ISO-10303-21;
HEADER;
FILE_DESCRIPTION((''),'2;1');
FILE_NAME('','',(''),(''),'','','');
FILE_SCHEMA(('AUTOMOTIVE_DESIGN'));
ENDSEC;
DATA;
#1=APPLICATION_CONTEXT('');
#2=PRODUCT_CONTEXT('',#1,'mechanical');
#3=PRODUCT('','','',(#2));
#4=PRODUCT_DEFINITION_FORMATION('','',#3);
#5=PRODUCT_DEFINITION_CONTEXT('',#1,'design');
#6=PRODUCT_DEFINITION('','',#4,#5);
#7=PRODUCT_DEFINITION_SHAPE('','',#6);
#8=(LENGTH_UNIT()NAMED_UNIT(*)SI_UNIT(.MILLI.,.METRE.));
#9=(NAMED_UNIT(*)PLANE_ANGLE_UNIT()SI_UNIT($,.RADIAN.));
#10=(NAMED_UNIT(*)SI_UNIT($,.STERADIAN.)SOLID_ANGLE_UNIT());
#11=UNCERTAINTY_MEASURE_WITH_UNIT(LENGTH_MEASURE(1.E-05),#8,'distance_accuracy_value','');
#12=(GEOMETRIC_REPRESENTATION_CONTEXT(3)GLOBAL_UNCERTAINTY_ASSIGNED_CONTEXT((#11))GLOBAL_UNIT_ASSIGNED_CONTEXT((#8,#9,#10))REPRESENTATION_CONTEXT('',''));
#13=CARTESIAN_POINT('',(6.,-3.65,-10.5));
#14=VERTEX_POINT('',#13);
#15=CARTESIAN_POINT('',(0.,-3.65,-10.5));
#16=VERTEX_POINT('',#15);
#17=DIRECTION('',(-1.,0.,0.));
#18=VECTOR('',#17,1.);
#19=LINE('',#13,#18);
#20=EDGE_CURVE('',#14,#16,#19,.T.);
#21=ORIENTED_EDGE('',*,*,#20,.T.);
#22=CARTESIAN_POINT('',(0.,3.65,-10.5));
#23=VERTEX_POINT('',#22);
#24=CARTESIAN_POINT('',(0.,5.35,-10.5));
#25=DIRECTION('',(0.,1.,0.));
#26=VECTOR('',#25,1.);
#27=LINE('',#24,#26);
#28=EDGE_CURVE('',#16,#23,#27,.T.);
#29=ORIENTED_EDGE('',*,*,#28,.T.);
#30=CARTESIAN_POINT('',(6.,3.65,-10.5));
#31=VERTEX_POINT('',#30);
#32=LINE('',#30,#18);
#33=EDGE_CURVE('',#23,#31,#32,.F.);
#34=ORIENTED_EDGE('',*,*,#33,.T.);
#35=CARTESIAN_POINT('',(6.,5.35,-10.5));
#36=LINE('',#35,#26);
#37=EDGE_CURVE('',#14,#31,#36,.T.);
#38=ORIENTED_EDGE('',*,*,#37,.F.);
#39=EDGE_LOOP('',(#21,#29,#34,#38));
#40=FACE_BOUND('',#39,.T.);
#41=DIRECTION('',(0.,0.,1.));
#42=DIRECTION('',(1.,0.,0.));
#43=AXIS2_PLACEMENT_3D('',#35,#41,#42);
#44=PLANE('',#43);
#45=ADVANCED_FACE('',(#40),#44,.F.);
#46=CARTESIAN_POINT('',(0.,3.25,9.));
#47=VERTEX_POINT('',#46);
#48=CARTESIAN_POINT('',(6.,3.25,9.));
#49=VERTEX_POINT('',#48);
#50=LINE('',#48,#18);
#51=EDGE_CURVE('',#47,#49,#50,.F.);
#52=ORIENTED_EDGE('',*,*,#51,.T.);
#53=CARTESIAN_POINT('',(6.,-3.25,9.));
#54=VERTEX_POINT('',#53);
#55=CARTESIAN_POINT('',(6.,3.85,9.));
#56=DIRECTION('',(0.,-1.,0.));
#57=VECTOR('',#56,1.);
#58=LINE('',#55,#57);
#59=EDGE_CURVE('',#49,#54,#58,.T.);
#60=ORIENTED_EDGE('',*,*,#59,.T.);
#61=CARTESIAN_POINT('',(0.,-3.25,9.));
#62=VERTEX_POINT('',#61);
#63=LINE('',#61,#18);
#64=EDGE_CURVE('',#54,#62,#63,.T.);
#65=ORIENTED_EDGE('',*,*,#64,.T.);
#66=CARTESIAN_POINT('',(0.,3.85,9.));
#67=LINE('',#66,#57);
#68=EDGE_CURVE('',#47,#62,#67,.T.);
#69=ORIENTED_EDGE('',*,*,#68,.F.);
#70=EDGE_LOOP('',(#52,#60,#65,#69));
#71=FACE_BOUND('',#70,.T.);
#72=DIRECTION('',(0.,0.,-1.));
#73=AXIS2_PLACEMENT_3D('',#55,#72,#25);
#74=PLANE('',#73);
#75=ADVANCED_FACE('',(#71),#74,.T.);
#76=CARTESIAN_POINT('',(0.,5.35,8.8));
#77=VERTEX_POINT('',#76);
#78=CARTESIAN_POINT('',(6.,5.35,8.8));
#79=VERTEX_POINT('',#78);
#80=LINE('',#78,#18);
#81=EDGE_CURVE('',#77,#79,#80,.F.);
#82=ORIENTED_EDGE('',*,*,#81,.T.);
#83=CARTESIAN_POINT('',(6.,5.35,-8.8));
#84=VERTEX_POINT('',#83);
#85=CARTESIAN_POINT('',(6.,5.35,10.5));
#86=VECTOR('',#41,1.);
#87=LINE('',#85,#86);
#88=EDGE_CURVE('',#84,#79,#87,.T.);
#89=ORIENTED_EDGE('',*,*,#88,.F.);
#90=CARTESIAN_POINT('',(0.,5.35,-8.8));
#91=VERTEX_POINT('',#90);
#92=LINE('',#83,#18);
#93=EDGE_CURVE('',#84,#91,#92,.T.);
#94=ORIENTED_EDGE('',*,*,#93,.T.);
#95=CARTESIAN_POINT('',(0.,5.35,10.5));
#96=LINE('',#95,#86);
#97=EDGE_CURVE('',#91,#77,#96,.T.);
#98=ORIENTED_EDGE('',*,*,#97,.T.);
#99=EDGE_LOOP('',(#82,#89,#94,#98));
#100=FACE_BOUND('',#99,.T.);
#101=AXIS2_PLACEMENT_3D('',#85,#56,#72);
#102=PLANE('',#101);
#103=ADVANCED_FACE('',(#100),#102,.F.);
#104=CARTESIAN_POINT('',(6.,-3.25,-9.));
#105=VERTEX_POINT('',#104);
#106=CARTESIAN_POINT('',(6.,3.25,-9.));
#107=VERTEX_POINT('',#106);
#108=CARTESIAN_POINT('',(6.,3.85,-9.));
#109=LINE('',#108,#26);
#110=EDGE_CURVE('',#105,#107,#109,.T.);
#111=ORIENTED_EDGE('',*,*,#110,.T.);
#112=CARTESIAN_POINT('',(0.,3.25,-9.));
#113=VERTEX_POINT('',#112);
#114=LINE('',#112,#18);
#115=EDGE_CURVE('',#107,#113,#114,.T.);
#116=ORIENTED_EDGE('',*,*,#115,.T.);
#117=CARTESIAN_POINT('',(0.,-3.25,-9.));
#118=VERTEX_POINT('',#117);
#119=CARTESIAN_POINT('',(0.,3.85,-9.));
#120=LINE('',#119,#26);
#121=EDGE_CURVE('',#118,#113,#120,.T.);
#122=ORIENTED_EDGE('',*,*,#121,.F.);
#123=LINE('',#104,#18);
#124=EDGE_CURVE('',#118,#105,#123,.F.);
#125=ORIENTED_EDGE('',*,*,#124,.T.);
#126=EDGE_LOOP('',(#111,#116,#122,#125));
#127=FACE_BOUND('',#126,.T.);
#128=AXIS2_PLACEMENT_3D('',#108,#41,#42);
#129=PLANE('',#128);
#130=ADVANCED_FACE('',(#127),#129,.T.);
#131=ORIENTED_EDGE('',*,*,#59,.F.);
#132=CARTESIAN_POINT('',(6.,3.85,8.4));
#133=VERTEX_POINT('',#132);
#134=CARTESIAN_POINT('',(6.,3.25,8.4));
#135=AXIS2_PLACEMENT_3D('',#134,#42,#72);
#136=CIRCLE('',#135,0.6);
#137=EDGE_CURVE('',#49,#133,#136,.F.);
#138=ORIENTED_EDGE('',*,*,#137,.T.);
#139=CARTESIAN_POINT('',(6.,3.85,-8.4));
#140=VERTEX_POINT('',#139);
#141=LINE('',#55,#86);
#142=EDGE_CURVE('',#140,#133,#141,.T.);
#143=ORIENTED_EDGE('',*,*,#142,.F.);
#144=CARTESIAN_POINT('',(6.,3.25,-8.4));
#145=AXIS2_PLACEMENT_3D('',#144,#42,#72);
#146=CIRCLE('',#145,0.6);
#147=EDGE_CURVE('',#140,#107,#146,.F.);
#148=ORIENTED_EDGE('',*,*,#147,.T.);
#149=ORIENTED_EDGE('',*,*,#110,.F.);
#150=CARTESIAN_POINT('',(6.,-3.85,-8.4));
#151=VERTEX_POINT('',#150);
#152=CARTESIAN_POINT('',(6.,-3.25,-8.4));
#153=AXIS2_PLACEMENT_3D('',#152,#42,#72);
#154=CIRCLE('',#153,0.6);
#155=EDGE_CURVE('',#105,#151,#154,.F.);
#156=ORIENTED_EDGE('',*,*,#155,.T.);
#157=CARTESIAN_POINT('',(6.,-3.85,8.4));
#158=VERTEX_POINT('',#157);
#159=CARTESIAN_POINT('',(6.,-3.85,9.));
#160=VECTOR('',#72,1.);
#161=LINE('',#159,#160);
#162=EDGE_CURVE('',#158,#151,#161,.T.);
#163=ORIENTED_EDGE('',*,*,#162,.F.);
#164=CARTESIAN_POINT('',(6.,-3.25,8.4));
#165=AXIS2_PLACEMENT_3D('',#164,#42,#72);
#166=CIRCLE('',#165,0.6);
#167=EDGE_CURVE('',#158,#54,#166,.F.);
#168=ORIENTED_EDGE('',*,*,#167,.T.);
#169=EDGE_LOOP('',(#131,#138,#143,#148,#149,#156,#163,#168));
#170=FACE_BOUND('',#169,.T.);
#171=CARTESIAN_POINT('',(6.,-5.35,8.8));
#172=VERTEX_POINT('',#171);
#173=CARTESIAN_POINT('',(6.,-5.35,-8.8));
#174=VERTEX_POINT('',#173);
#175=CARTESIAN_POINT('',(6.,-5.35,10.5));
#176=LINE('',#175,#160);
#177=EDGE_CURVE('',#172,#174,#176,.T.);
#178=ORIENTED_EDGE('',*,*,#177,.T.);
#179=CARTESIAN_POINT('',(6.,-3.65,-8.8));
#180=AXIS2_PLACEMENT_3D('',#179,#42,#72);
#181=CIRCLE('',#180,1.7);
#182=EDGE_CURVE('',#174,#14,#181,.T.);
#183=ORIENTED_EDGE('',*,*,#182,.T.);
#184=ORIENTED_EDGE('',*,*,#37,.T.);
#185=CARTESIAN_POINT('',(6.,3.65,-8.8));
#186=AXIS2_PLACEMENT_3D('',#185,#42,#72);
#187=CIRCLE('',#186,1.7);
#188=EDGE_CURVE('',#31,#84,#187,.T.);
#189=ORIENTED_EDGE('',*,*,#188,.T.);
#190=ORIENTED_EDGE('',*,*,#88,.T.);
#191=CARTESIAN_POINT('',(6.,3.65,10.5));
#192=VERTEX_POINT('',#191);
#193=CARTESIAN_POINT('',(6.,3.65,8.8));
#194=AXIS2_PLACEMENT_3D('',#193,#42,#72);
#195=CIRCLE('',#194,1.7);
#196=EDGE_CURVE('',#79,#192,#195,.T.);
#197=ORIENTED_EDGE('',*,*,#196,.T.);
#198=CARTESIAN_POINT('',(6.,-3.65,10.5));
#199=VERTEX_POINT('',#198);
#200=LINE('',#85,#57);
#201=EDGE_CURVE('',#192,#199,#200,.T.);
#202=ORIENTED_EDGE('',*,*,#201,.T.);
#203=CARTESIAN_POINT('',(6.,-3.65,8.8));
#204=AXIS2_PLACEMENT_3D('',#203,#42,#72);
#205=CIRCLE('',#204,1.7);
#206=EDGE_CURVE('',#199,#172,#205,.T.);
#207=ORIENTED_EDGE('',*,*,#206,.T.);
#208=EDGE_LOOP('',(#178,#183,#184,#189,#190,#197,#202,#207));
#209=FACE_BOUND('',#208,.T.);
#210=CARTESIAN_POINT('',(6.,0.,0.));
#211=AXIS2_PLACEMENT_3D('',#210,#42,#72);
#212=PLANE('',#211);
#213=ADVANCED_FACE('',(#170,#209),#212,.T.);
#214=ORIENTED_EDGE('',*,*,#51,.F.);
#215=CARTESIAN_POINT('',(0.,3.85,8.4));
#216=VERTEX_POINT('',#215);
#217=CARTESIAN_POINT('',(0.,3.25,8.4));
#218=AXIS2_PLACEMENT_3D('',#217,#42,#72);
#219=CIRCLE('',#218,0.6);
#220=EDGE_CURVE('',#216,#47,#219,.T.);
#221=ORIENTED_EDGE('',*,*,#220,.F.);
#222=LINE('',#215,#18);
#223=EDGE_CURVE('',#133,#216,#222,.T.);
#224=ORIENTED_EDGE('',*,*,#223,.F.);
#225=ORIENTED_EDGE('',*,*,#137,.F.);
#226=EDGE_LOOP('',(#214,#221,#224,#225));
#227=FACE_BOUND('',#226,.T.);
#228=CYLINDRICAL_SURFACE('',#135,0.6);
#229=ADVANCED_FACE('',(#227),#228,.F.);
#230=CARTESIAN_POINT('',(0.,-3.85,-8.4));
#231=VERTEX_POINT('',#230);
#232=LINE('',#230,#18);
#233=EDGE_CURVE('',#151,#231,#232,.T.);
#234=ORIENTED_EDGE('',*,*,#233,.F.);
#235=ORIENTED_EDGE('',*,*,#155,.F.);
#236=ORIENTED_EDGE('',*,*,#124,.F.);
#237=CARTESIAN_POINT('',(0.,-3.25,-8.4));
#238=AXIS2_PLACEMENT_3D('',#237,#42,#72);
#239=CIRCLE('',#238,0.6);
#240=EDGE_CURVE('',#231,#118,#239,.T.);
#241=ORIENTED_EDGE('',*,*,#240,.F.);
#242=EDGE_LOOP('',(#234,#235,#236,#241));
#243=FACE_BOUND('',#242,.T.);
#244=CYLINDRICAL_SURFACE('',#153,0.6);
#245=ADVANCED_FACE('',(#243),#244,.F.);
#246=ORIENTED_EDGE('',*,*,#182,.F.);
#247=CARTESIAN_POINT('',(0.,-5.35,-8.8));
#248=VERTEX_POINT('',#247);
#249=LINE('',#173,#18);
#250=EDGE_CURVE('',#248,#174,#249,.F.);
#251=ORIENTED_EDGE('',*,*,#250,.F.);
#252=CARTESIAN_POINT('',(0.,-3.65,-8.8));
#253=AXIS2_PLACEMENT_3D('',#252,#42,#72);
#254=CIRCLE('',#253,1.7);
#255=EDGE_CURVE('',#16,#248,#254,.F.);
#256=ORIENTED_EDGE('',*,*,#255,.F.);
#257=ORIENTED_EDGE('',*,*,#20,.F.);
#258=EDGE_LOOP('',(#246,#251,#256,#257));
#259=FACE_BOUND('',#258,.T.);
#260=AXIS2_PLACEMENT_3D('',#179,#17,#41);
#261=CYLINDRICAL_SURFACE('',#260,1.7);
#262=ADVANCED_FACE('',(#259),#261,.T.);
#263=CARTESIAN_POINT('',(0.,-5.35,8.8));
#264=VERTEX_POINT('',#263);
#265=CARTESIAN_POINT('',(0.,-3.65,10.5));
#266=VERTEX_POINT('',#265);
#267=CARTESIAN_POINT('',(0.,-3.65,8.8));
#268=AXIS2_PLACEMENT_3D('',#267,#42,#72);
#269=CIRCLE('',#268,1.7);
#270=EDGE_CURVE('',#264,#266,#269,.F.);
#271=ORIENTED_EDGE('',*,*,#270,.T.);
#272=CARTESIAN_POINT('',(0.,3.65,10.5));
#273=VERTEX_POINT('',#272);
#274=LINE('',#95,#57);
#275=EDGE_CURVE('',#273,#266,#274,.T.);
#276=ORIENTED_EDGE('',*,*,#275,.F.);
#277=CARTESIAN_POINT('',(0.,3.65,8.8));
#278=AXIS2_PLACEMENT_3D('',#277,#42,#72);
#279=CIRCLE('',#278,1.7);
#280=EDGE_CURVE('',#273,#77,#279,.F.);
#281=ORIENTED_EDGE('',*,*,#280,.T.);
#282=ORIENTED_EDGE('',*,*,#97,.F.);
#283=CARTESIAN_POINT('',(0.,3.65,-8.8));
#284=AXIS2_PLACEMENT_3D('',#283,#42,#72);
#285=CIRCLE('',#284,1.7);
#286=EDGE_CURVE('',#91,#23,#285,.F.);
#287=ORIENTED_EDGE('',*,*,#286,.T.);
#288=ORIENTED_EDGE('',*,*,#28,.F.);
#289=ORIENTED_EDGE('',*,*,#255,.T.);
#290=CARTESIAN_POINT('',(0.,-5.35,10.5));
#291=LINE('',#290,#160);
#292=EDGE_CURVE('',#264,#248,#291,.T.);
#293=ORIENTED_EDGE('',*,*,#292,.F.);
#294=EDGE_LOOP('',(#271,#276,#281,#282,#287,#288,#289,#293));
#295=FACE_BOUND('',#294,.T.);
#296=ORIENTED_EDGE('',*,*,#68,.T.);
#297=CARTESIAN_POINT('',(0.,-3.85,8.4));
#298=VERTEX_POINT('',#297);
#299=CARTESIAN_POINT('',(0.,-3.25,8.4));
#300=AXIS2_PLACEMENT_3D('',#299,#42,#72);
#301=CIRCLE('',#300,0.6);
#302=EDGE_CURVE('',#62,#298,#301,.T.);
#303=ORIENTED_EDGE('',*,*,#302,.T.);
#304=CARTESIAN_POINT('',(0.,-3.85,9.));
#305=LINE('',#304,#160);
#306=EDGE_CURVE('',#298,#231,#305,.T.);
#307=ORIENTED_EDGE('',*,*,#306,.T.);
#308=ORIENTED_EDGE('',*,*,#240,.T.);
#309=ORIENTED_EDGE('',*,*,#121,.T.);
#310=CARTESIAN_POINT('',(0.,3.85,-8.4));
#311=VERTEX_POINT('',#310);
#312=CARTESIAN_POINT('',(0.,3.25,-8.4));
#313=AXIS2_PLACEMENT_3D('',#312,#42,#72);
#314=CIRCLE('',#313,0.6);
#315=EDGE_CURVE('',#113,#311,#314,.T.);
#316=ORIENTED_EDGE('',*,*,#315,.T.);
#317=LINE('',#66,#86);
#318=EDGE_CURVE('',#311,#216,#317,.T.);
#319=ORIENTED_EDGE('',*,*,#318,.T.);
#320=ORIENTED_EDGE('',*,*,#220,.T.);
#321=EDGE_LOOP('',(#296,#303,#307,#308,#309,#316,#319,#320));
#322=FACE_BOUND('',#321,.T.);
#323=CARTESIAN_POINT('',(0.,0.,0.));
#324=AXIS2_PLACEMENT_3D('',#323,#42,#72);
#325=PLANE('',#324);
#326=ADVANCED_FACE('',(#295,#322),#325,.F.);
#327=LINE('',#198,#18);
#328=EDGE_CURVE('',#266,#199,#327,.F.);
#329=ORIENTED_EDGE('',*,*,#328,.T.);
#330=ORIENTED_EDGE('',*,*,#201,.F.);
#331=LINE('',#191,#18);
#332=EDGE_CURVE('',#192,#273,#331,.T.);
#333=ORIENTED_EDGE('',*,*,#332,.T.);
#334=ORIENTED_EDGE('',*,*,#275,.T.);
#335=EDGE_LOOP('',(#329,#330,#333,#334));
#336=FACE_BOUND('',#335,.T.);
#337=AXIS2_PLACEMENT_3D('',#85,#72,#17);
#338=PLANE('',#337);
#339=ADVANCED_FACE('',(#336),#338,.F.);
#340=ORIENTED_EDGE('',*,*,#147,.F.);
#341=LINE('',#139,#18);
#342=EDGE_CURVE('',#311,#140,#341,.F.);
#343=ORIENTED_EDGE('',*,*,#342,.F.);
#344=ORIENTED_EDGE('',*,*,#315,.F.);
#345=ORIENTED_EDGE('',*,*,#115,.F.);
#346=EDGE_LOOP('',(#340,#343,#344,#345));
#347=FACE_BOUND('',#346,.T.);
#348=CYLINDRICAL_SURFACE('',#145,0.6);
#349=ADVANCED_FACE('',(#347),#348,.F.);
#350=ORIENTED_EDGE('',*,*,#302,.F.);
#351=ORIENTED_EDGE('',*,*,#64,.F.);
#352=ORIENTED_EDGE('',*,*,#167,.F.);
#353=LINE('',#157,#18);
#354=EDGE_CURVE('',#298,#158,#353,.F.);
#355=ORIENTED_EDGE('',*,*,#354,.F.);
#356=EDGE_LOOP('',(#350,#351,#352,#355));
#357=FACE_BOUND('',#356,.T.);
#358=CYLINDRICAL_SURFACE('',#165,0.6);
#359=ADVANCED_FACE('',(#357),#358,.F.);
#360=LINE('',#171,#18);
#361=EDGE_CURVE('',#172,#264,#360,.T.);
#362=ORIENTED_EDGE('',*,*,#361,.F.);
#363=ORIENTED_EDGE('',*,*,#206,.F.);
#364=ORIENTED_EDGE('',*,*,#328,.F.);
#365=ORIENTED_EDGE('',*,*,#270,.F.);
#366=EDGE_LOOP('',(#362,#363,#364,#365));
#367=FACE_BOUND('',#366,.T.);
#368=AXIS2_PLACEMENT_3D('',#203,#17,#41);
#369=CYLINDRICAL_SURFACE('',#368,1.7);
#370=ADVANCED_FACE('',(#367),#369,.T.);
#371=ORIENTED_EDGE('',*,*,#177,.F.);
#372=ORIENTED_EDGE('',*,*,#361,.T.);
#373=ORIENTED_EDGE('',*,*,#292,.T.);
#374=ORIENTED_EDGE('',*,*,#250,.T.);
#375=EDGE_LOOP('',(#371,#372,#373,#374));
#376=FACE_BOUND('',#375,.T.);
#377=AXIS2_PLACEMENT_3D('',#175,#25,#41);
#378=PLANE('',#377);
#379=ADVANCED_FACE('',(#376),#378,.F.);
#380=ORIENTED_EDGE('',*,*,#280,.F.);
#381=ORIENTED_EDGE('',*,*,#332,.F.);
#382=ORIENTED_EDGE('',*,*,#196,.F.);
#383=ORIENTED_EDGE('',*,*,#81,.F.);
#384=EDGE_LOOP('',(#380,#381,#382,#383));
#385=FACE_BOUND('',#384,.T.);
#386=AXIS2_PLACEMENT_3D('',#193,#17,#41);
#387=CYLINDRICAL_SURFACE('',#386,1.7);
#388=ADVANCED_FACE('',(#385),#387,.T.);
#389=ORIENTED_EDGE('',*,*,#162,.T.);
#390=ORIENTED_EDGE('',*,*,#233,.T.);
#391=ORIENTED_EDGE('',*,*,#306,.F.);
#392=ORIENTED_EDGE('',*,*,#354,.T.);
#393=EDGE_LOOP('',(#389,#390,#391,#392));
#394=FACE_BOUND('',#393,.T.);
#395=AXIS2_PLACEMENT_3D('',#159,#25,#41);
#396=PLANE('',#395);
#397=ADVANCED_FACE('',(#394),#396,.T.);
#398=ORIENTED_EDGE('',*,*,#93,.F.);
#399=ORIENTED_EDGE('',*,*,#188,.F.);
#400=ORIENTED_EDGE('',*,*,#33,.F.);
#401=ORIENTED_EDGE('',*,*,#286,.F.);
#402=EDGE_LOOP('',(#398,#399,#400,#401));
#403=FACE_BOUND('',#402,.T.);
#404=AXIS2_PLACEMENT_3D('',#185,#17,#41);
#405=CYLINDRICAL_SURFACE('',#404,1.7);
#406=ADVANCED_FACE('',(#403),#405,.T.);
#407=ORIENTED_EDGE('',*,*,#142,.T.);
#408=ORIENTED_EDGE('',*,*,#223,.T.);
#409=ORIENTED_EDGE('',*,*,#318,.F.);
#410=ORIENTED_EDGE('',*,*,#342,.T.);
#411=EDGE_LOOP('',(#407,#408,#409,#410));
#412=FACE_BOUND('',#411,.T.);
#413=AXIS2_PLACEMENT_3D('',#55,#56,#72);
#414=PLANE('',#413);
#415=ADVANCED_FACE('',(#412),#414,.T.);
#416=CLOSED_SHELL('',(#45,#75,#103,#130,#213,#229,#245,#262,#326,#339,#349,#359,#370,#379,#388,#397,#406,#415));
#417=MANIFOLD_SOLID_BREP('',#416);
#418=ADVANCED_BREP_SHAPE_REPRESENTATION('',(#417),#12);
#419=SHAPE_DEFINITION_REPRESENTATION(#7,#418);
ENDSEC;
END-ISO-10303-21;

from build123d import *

# Parameters (mm, degrees)
SKETCH1_W           = 21
SKETCH1_H           = 10.7
SKETCH1_W_2         = 18
SKETCH1_H_2         = 7.7
BOSS_EXTRUDE1_DEPTH = 6
FILLET1_R           = 0.6
FILLET2_R           = 1.7


with BuildPart() as part:
    # Sketch1 → Boss-Extrude1 (new body)
    with BuildSketch(Plane(origin=(0, 0, 0), x_dir=(0, 0, -1), z_dir=(1, 0, 0))):
        Rectangle(SKETCH1_W, SKETCH1_H)
        Rectangle(SKETCH1_W_2, SKETCH1_H_2, mode=Mode.SUBTRACT)
    extrude(amount=BOSS_EXTRUDE1_DEPTH)

    # Fillet1
    fillet1_edges = [part.edges().sort_by_distance(p)[0] for p in [
        (3, -3.85, -9),
        (3, 3.85, -9),
        (3, 3.85, 9),
        (3, -3.85, 9),
    ]]
    fillet(fillet1_edges, radius=FILLET1_R)

    # Fillet2
    fillet2_edges = [part.edges().sort_by_distance(p)[0] for p in [
        (3, -5.35, -10.5),
        (3, -5.35, 10.5),
        (3, 5.35, 10.5),
        (3, 5.35, -10.5),
    ]]
    fillet(fillet2_edges, radius=FILLET2_R)


solid = part.part
